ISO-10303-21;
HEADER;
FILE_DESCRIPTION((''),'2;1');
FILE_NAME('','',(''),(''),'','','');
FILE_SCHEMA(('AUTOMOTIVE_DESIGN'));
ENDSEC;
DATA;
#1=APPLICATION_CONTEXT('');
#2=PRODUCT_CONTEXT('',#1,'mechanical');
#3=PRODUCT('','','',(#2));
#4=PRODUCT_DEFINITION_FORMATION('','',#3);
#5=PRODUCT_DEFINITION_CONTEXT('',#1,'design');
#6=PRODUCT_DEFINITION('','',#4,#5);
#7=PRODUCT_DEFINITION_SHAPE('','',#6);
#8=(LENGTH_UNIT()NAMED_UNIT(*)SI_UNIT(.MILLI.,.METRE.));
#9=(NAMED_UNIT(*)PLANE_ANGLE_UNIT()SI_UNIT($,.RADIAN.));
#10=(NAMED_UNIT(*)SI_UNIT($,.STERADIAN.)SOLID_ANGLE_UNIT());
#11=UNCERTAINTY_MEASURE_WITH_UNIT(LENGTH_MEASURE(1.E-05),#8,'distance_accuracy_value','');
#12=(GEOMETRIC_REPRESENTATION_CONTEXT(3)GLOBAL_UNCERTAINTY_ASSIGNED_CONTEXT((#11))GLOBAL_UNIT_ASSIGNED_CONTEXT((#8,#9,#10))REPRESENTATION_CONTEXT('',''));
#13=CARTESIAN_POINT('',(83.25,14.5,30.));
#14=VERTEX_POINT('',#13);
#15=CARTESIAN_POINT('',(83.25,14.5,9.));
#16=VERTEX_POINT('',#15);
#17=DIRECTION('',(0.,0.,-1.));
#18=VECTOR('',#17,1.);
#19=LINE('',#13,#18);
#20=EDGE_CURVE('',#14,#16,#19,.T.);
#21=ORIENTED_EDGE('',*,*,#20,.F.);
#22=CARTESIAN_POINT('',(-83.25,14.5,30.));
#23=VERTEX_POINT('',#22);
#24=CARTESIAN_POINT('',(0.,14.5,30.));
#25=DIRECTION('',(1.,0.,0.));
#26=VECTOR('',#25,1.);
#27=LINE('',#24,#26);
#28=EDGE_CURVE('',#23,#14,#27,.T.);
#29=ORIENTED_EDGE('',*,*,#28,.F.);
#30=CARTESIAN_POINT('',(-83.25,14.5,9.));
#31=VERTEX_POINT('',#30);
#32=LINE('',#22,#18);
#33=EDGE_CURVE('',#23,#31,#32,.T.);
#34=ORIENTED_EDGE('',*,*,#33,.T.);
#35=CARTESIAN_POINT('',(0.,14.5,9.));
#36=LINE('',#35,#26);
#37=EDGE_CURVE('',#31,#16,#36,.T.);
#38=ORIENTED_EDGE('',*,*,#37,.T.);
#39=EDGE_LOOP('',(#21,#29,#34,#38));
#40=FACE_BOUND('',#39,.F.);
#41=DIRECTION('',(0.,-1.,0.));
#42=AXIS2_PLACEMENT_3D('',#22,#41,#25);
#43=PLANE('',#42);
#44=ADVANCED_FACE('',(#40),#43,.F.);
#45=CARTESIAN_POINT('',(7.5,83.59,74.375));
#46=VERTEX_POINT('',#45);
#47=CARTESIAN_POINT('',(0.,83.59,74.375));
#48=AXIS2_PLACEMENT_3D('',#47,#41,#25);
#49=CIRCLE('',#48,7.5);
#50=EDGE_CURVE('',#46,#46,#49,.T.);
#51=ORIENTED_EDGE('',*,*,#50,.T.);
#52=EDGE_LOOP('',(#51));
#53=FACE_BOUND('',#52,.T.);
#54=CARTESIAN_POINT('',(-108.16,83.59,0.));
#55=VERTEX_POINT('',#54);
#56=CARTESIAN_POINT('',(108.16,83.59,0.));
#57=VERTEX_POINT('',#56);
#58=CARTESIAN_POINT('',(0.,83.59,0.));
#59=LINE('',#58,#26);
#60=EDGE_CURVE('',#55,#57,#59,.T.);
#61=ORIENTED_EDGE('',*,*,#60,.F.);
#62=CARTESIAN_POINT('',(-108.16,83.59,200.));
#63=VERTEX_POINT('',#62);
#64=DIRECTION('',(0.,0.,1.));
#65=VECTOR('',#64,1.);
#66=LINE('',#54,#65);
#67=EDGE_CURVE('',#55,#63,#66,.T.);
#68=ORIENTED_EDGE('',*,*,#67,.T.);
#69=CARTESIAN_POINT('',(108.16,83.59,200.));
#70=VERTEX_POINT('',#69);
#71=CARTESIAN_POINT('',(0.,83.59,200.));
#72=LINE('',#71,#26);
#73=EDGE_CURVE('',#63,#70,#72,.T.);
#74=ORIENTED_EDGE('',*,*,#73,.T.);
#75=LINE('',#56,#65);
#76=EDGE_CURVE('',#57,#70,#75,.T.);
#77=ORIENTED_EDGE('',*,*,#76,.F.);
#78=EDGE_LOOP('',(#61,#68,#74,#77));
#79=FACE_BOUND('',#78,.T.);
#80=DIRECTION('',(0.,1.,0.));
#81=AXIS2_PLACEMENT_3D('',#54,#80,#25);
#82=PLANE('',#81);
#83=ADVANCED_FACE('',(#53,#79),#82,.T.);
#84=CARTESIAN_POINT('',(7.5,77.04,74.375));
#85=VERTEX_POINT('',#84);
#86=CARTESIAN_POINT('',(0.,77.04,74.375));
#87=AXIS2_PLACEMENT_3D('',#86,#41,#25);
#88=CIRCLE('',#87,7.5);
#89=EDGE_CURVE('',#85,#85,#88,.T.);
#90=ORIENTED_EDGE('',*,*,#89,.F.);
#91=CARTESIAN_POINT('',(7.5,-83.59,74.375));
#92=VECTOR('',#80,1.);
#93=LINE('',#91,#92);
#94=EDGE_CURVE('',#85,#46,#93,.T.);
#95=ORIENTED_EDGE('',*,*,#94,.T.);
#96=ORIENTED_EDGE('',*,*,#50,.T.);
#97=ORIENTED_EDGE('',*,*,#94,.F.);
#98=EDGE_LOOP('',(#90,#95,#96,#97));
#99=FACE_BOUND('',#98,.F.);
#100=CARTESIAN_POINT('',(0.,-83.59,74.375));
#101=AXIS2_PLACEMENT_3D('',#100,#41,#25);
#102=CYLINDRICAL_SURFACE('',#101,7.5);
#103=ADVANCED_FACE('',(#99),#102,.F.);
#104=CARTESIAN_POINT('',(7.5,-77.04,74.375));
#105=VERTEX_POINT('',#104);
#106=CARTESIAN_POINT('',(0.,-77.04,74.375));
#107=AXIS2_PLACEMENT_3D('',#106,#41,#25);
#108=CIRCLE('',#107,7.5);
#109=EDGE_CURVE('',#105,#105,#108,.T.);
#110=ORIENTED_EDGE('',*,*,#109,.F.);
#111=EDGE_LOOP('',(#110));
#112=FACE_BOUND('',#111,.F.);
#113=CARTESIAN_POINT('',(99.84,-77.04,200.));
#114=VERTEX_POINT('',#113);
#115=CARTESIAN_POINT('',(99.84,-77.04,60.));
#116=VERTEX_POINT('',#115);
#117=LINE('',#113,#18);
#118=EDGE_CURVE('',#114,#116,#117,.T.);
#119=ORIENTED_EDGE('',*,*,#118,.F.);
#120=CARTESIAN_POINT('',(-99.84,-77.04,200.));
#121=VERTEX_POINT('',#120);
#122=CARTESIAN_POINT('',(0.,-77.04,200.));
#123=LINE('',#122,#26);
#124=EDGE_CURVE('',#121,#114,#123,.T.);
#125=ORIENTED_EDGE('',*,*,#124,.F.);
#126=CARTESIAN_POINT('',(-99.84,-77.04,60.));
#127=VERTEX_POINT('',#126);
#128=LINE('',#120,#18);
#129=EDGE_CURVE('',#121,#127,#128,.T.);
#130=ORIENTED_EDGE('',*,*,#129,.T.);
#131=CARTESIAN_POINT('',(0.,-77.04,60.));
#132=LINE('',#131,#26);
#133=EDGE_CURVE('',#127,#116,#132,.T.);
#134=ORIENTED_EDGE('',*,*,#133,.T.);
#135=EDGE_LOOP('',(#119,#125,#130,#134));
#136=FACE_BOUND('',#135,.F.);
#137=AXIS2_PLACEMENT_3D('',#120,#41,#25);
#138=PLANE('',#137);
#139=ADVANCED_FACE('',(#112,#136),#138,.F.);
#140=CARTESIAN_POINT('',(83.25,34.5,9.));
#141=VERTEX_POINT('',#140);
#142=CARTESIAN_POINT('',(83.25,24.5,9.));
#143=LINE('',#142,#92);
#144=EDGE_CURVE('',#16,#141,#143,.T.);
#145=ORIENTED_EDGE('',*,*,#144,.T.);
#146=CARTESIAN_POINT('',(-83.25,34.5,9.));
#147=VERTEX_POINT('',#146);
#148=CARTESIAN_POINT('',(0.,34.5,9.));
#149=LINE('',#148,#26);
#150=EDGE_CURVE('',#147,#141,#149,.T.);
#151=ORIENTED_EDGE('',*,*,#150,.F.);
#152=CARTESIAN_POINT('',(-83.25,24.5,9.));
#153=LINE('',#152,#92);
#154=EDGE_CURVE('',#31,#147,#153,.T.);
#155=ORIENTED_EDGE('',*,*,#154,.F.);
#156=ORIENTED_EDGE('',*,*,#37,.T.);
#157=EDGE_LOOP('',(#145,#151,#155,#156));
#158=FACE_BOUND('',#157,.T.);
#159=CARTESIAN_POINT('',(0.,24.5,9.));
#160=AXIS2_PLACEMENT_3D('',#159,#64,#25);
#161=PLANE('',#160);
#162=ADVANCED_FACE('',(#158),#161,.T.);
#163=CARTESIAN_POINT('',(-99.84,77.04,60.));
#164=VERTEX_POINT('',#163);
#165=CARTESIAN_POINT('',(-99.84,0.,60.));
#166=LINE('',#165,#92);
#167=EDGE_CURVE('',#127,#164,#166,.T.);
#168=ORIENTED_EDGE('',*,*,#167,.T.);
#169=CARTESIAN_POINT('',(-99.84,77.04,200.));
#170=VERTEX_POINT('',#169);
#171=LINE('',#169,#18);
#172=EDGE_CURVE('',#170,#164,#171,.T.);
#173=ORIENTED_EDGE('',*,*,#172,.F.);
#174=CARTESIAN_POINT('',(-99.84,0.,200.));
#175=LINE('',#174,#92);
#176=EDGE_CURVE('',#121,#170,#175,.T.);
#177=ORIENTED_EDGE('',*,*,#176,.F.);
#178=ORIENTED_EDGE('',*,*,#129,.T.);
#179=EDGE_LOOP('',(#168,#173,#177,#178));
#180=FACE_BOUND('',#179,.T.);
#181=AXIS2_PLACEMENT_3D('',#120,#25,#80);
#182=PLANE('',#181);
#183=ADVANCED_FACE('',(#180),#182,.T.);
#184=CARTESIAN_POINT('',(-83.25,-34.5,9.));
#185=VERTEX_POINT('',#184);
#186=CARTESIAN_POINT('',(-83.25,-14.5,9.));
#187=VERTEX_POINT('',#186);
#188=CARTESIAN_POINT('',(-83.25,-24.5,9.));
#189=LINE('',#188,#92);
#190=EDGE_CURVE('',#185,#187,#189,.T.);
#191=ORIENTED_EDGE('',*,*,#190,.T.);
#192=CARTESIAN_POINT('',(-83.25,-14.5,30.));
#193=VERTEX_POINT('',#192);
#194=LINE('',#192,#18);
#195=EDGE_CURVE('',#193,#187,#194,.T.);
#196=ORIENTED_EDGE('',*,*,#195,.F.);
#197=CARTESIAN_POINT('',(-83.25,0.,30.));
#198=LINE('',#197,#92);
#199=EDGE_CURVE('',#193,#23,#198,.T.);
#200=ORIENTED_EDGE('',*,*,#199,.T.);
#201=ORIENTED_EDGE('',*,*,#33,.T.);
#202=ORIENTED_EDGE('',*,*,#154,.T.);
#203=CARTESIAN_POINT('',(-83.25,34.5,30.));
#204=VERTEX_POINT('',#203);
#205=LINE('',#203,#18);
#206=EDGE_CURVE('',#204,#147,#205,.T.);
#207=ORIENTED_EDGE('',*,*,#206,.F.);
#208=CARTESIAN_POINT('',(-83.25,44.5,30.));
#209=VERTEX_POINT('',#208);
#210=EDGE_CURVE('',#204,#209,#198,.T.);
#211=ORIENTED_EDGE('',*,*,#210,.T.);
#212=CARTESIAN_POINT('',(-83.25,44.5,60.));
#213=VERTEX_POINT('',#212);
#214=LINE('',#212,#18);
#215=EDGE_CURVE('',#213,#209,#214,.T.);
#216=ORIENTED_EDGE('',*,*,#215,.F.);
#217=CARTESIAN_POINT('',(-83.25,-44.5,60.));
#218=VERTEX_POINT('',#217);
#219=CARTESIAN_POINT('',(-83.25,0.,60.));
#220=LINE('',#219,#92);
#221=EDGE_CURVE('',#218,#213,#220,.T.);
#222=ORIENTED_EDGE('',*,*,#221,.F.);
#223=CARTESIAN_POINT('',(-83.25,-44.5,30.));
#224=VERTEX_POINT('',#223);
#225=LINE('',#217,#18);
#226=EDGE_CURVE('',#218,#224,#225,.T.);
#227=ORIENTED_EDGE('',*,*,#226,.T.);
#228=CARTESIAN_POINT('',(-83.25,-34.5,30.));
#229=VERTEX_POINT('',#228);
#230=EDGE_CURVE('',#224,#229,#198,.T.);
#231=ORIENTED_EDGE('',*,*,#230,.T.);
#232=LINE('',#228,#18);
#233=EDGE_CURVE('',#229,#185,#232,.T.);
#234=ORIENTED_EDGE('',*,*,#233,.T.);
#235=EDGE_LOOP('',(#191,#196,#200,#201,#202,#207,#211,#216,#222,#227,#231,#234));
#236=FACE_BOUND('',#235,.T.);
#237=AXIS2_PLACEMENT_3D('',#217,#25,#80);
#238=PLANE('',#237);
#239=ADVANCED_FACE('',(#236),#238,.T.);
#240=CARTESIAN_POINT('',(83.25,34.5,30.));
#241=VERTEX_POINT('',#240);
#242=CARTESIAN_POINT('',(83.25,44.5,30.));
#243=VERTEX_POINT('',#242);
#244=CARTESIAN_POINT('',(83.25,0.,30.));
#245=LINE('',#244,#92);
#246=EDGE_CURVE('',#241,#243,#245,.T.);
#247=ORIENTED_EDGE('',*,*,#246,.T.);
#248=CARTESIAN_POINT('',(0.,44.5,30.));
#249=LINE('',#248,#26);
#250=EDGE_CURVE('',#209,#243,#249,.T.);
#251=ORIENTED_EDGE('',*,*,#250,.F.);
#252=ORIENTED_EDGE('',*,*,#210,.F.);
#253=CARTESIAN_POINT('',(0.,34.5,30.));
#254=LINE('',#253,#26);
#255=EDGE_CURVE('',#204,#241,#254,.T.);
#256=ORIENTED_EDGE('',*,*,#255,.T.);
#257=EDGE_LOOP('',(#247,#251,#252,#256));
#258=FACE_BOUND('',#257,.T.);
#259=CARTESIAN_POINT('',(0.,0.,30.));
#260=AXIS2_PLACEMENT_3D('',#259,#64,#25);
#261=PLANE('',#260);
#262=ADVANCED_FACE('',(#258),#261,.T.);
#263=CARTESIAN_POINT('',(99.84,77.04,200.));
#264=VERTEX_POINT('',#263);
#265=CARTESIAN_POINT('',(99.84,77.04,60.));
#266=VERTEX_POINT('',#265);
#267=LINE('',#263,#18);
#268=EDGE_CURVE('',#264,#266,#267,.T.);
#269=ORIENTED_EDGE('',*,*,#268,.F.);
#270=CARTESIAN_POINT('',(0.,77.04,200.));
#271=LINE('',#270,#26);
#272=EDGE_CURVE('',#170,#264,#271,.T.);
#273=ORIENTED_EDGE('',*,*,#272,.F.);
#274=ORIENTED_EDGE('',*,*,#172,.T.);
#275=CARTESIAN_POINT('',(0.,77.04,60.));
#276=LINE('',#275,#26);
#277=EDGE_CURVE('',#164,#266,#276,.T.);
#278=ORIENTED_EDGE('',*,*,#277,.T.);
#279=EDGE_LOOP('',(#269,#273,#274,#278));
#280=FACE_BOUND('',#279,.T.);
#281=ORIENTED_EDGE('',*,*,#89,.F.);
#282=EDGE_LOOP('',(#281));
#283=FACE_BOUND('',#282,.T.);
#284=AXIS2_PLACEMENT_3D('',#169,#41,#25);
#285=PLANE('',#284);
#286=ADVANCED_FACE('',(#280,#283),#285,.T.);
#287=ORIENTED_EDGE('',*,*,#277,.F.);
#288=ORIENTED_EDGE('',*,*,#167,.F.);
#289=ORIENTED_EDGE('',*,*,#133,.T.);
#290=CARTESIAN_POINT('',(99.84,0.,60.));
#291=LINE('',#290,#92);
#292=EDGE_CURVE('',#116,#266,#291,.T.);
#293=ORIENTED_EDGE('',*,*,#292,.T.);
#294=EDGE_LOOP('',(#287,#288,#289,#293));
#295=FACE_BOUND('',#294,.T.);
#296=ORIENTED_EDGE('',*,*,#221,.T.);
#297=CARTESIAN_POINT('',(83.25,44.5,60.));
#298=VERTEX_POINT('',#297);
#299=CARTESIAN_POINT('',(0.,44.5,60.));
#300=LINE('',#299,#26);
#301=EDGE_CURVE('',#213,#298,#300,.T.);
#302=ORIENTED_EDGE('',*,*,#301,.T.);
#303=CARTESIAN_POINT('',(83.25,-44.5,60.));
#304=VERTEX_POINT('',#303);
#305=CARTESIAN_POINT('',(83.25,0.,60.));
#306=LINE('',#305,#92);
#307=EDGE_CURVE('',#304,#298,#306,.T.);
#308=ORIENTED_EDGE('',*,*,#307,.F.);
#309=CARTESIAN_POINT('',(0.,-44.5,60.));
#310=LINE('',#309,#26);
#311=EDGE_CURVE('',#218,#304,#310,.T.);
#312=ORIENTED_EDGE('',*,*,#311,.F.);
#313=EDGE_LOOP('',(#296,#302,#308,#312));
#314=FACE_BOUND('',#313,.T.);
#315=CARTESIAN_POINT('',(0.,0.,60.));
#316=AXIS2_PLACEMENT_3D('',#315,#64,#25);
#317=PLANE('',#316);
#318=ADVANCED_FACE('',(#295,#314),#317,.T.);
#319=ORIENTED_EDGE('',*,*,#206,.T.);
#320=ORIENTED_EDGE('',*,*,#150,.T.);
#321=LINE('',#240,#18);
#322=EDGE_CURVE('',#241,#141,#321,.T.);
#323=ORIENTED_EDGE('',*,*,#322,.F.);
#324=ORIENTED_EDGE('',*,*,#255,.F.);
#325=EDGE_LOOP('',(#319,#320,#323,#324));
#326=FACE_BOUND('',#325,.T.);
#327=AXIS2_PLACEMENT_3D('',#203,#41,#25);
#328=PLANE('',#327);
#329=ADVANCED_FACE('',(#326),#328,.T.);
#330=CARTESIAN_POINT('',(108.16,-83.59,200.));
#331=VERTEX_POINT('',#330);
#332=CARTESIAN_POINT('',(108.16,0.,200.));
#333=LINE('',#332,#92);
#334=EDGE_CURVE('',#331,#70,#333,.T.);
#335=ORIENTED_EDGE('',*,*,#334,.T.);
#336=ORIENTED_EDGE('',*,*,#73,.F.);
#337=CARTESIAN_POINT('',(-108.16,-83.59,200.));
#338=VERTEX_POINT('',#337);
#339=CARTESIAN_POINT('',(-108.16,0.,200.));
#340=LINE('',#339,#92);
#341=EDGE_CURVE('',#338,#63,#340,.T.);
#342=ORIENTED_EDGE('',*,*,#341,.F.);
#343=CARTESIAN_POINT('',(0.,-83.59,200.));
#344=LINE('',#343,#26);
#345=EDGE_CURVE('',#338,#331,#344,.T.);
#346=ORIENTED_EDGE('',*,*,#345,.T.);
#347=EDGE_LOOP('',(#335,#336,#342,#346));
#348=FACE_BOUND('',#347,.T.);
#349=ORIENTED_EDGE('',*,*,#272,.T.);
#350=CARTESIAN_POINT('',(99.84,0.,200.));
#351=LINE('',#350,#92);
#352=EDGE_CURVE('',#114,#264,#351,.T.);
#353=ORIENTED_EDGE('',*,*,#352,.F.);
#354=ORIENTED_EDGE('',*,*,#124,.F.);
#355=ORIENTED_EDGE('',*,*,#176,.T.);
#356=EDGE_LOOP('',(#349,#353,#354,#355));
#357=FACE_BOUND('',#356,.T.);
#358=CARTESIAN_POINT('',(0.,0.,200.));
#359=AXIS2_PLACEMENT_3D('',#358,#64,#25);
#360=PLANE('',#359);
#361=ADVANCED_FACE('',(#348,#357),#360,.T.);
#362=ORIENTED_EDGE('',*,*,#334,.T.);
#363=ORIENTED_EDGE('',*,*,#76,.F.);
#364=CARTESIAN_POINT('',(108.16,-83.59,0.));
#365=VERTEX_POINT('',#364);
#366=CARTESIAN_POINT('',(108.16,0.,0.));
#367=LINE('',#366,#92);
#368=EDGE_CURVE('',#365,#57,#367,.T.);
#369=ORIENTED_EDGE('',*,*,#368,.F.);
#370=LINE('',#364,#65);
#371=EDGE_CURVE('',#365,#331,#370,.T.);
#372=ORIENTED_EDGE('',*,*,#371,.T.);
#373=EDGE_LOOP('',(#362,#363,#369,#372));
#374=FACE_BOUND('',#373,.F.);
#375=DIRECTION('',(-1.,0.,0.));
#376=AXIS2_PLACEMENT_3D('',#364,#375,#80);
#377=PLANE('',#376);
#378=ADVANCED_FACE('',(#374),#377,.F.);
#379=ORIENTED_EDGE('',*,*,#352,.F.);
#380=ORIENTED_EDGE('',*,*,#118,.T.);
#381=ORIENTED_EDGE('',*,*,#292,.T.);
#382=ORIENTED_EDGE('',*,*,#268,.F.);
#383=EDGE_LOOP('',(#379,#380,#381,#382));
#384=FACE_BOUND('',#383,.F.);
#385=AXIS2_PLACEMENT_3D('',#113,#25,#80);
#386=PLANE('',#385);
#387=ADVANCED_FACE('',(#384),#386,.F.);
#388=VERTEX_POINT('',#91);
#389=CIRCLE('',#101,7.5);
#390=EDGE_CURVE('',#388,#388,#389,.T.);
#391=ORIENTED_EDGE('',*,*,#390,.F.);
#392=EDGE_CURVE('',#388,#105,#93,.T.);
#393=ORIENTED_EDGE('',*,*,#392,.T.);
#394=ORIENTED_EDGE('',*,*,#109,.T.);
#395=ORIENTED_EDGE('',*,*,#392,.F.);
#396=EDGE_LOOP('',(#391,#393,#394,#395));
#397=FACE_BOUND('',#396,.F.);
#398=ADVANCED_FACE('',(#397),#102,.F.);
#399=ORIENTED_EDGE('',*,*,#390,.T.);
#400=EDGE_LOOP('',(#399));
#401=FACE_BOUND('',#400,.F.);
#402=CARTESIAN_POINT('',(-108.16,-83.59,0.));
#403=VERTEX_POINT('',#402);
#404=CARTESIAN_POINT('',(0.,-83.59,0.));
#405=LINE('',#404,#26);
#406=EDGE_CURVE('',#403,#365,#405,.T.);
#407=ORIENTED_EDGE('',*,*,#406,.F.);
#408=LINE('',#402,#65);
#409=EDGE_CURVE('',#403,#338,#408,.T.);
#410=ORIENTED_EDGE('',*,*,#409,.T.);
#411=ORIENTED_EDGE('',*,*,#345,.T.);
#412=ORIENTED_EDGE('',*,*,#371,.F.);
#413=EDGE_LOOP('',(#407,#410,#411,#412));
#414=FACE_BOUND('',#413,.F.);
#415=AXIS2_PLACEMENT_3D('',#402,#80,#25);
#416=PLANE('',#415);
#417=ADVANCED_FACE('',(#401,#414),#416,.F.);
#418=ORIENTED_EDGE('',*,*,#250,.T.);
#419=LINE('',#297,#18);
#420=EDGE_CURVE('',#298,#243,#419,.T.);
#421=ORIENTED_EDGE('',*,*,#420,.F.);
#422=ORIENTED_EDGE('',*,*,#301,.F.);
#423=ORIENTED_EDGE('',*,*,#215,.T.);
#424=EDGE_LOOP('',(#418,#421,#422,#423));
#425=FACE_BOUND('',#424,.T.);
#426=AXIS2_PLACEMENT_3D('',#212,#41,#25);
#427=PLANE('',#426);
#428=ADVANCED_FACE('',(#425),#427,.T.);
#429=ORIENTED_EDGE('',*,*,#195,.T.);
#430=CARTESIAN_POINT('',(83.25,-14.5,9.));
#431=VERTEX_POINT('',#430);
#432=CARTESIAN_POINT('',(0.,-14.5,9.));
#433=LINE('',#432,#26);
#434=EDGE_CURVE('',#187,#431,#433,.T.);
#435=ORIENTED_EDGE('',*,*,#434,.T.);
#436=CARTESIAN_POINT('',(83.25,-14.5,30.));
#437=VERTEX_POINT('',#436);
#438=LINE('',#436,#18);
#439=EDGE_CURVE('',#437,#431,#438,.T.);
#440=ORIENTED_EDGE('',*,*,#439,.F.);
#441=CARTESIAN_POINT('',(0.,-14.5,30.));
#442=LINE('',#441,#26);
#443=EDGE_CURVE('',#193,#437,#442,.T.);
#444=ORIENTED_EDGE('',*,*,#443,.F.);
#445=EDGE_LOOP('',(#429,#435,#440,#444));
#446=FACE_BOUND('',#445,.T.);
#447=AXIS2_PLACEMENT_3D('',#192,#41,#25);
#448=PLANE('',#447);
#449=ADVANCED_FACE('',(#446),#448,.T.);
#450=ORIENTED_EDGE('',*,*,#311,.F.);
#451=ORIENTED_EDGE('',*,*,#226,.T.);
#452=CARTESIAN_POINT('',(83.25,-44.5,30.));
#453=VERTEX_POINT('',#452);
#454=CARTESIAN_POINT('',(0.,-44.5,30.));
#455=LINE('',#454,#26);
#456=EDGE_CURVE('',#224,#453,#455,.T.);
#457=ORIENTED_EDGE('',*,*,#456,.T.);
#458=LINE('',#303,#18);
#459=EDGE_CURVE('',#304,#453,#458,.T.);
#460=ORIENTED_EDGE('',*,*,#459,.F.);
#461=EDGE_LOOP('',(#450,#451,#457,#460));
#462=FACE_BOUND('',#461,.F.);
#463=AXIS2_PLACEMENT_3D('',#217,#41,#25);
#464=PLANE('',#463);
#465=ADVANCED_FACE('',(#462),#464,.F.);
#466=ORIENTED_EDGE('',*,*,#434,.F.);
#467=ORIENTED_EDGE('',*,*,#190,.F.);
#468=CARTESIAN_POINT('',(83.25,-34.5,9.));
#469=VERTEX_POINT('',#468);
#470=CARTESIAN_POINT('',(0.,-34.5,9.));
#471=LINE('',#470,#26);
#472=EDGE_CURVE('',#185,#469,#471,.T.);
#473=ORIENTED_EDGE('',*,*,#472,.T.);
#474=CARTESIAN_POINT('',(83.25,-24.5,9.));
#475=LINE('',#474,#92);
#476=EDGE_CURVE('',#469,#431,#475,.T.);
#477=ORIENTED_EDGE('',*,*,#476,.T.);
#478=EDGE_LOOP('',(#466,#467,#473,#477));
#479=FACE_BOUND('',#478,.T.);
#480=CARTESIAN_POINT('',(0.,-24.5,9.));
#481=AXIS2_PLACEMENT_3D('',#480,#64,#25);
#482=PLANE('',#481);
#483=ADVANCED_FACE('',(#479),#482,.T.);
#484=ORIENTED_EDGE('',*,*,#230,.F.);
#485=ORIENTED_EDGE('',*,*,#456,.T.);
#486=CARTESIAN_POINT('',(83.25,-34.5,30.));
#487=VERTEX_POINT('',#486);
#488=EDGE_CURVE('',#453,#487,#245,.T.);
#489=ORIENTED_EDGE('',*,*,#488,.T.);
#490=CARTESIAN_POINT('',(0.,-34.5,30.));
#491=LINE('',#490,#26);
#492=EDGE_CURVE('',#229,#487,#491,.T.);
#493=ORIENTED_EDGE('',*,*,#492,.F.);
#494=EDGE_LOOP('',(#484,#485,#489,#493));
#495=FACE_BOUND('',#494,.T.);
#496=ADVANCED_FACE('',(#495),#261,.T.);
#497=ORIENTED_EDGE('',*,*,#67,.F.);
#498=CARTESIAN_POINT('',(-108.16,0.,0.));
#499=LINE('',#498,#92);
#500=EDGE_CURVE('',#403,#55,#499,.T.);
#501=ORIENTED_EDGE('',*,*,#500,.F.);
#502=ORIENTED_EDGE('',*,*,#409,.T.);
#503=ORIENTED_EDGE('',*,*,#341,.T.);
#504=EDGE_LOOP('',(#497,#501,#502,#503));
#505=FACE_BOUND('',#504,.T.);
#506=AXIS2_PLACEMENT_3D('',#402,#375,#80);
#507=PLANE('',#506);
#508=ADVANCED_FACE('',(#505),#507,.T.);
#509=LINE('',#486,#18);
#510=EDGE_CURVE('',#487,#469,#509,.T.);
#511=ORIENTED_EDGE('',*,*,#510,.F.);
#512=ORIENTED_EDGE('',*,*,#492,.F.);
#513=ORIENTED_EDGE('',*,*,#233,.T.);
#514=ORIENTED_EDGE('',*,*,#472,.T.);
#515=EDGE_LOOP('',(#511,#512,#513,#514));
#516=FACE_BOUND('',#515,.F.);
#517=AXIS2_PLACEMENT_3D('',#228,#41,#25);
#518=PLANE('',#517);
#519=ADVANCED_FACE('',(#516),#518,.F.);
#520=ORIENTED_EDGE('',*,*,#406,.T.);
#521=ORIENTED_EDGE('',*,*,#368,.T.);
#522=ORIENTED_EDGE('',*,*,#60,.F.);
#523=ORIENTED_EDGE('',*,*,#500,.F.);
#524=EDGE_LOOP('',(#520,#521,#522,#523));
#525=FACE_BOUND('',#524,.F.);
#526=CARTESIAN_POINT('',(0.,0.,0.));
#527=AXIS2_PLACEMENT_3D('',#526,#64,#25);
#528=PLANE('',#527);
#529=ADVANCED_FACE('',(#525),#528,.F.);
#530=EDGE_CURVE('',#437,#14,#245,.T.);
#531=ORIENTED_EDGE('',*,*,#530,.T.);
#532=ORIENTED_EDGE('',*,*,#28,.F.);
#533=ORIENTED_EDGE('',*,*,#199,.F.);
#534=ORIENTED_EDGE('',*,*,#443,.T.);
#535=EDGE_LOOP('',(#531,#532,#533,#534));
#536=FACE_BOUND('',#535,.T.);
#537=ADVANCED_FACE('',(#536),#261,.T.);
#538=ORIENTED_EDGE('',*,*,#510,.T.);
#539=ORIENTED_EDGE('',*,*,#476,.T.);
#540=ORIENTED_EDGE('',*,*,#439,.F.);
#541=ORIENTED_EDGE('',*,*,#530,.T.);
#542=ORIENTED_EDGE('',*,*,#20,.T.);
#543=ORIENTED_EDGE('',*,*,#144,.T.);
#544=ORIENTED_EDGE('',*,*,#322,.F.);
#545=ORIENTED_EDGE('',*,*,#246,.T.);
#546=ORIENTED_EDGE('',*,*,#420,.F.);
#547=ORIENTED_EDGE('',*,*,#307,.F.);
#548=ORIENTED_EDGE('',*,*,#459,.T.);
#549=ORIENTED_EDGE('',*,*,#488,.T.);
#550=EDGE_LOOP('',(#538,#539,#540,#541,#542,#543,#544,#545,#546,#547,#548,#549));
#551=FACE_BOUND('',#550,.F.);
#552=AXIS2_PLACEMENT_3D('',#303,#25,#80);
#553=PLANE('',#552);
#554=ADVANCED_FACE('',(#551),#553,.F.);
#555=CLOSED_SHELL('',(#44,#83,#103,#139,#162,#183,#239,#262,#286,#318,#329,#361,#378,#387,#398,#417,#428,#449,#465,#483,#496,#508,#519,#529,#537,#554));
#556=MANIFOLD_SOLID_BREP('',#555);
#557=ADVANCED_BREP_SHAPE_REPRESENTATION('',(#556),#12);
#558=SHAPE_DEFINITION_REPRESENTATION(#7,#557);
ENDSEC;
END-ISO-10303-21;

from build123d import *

# Parameters (mm, degrees)
SKETCH_W        = 216.32
SKETCH_H        = 167.18
PAD_DEPTH       = 200
SKETCH001_W     = 199.68
SKETCH001_H     = 154.08
POCKET_DEPTH    = 140
SKETCH002_W     = 166.5
SKETCH002_H     = 89
POCKET001_DEPTH = 30
SKETCH003_W     = 166.5
SKETCH003_H     = 20
POCKET002_DEPTH = 21
SKETCH004_R     = 7.5
HOLE_DEPTH      = 200


with BuildPart() as part:
    # Sketch → Pad (new body)
    with BuildSketch(Plane.XY):
        Rectangle(SKETCH_W, SKETCH_H)
    extrude(amount=PAD_DEPTH)

    # Sketch001 (on Face6 of Pad) → Pocket (cut)
    with BuildSketch(Plane.XY.offset(200)):
        Rectangle(SKETCH001_W, SKETCH001_H)
    extrude(amount=-POCKET_DEPTH, mode=Mode.SUBTRACT)

    # Sketch002 (on Face11 of Pocket) → Pocket001 (cut)
    with BuildSketch(Plane.XY.offset(60)):
        Rectangle(SKETCH002_W, SKETCH002_H)
    extrude(amount=-POCKET001_DEPTH, mode=Mode.SUBTRACT)

    # Sketch003 (on Face16 of Pocket001) → Pocket002 (cut)
    with BuildSketch(Plane.XY.offset(30)):
        with Locations((0, 24.5)):
            Rectangle(SKETCH003_W, SKETCH003_H)
        with Locations((0, -24.5)):
            Rectangle(SKETCH003_W, SKETCH003_H)
    extrude(amount=-POCKET002_DEPTH, mode=Mode.SUBTRACT)

    # Sketch004 (on Face6 of Pocket002) → Hole (cut)
    with BuildSketch(Plane.XZ.offset(83.59)):
        with Locations((0, 74.375)):
            Circle(SKETCH004_R)
    extrude(amount=-HOLE_DEPTH, mode=Mode.SUBTRACT)


solid = part.part
